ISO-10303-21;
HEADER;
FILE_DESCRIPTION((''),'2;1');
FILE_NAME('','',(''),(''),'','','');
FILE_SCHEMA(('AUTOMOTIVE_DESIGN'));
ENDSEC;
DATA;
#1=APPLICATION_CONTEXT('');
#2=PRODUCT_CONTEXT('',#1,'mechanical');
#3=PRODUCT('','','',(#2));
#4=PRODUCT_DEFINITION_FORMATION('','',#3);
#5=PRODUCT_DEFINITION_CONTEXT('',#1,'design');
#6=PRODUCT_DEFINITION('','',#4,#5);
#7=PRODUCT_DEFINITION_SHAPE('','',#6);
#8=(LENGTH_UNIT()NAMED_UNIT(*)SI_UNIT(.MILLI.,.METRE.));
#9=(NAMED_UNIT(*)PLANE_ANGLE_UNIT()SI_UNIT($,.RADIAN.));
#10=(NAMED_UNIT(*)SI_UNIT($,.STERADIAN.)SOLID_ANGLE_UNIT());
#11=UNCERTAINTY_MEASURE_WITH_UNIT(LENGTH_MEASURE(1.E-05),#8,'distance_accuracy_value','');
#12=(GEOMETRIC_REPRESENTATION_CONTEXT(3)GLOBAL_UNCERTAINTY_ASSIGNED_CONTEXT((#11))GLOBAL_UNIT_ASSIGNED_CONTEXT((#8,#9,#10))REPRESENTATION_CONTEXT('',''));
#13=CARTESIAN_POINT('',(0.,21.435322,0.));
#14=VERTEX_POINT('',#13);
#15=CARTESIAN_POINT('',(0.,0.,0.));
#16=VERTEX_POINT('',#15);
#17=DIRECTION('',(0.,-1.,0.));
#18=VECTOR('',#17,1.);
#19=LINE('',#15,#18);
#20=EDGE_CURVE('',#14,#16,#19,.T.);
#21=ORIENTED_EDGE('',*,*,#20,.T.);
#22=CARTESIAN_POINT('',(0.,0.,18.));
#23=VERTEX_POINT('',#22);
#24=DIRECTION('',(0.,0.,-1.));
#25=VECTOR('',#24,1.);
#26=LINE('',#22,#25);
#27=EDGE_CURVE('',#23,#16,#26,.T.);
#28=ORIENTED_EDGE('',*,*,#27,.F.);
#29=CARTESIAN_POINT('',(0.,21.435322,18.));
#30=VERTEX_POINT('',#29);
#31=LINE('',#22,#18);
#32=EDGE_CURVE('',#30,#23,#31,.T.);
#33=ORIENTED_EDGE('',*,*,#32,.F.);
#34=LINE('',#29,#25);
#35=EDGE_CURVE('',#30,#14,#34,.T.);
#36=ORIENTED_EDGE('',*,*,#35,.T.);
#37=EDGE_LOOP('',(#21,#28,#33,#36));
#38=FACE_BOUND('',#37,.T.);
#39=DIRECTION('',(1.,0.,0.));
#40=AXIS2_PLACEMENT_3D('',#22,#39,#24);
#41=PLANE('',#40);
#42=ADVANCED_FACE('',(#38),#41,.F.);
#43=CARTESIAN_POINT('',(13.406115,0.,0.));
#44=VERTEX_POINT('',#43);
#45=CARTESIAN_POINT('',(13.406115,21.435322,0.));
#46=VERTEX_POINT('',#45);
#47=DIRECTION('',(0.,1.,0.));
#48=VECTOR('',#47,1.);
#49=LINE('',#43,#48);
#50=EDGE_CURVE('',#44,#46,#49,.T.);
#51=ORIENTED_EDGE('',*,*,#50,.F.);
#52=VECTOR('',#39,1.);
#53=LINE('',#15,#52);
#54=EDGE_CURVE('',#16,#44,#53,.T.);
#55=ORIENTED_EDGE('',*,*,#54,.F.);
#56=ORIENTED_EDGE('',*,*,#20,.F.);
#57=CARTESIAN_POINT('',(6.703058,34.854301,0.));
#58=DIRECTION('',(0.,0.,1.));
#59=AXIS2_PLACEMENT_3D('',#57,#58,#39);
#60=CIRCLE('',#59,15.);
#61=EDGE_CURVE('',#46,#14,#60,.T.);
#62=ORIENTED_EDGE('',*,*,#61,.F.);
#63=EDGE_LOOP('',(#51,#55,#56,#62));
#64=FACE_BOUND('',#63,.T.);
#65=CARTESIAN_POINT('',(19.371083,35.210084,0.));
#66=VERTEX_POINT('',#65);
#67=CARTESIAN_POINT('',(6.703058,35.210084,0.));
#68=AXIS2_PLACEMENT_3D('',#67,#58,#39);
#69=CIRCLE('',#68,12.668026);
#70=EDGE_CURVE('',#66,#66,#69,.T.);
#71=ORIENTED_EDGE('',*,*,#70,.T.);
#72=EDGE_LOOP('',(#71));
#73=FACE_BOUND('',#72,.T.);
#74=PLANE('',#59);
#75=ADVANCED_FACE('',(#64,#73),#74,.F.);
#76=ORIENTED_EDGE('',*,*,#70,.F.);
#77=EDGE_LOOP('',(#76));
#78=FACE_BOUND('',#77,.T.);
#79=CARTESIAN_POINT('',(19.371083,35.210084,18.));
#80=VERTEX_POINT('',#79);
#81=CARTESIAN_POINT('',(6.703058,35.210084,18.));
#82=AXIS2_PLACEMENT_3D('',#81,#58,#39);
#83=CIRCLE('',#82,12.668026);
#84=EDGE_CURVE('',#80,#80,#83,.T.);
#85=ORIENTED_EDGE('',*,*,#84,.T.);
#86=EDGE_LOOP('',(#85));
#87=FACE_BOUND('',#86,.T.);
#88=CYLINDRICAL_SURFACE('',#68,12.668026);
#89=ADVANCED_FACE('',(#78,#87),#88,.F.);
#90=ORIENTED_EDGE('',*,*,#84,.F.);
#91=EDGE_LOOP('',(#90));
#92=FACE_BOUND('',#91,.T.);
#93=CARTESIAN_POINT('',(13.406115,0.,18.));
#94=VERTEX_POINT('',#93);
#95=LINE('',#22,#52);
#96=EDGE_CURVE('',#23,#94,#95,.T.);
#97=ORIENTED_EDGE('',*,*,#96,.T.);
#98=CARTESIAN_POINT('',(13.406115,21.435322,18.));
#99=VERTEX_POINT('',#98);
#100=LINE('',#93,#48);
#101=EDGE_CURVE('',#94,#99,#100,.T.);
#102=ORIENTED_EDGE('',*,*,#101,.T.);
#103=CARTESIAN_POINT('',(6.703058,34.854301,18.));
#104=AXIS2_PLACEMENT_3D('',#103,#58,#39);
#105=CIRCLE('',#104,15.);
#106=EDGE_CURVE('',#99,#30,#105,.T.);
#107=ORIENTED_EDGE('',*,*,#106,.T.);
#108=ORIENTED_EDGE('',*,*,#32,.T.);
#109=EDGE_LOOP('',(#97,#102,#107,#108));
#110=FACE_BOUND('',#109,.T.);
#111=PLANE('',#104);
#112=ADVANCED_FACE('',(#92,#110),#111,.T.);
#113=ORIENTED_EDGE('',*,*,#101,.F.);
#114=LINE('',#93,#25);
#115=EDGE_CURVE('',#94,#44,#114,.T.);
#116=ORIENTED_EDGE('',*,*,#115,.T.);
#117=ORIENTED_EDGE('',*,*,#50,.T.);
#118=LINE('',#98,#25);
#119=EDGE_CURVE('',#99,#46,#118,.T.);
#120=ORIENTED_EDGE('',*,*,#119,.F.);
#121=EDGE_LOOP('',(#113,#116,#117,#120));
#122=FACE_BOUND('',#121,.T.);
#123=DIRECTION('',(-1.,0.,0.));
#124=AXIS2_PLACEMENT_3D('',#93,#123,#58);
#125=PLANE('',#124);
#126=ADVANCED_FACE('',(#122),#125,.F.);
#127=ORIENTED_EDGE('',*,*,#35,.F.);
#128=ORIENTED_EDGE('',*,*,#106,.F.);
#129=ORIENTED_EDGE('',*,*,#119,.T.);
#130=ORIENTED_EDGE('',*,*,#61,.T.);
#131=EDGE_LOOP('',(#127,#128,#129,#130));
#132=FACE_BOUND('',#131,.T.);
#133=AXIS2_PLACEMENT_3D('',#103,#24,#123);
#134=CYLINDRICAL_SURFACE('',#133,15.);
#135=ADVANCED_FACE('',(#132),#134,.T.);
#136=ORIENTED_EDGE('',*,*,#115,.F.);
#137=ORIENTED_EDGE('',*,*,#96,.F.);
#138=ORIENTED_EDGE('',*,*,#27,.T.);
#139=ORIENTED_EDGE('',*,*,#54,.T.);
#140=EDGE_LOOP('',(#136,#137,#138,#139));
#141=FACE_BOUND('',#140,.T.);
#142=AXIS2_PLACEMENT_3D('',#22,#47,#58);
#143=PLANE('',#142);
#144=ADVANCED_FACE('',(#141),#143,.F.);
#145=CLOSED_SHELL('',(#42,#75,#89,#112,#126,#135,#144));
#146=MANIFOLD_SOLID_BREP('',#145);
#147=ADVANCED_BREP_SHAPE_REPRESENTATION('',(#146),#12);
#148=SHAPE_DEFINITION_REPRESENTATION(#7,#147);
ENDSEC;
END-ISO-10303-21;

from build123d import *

# Parameters (mm, degrees)
RESSALTO_EXTRUS_O1_DEPTH = 18
ESBO_O3_R                = 12.668025565
CORTE_EXTRUS_O2_DEPTH    = 58.275422957


with BuildPart() as part:
    # Esboço1 → Ressalto-extrusão1 (new body)
    with BuildSketch(Plane.XY):
        with BuildLine():
            Line((0, 0), (0, 21.43532158))
            ThreePointArc((0, 21.43532158), (6.703057614, 49.854301371), (13.406115228, 21.43532158))
            Line((13.406115228, 21.43532158), (13.406115228, 0))
            Line((13.406115228, 0), (0, 0))
        make_face()
    extrude(amount=RESSALTO_EXTRUS_O1_DEPTH)

    # Esboço3 → Corte-extrusão2 (cut, through all)
    with BuildSketch(Plane.XY.offset(18)):
        with Locations((6.703057614, 35.210084405)):
            Circle(ESBO_O3_R)
    extrude(amount=-CORTE_EXTRUS_O2_DEPTH, mode=Mode.SUBTRACT)


solid = part.part
